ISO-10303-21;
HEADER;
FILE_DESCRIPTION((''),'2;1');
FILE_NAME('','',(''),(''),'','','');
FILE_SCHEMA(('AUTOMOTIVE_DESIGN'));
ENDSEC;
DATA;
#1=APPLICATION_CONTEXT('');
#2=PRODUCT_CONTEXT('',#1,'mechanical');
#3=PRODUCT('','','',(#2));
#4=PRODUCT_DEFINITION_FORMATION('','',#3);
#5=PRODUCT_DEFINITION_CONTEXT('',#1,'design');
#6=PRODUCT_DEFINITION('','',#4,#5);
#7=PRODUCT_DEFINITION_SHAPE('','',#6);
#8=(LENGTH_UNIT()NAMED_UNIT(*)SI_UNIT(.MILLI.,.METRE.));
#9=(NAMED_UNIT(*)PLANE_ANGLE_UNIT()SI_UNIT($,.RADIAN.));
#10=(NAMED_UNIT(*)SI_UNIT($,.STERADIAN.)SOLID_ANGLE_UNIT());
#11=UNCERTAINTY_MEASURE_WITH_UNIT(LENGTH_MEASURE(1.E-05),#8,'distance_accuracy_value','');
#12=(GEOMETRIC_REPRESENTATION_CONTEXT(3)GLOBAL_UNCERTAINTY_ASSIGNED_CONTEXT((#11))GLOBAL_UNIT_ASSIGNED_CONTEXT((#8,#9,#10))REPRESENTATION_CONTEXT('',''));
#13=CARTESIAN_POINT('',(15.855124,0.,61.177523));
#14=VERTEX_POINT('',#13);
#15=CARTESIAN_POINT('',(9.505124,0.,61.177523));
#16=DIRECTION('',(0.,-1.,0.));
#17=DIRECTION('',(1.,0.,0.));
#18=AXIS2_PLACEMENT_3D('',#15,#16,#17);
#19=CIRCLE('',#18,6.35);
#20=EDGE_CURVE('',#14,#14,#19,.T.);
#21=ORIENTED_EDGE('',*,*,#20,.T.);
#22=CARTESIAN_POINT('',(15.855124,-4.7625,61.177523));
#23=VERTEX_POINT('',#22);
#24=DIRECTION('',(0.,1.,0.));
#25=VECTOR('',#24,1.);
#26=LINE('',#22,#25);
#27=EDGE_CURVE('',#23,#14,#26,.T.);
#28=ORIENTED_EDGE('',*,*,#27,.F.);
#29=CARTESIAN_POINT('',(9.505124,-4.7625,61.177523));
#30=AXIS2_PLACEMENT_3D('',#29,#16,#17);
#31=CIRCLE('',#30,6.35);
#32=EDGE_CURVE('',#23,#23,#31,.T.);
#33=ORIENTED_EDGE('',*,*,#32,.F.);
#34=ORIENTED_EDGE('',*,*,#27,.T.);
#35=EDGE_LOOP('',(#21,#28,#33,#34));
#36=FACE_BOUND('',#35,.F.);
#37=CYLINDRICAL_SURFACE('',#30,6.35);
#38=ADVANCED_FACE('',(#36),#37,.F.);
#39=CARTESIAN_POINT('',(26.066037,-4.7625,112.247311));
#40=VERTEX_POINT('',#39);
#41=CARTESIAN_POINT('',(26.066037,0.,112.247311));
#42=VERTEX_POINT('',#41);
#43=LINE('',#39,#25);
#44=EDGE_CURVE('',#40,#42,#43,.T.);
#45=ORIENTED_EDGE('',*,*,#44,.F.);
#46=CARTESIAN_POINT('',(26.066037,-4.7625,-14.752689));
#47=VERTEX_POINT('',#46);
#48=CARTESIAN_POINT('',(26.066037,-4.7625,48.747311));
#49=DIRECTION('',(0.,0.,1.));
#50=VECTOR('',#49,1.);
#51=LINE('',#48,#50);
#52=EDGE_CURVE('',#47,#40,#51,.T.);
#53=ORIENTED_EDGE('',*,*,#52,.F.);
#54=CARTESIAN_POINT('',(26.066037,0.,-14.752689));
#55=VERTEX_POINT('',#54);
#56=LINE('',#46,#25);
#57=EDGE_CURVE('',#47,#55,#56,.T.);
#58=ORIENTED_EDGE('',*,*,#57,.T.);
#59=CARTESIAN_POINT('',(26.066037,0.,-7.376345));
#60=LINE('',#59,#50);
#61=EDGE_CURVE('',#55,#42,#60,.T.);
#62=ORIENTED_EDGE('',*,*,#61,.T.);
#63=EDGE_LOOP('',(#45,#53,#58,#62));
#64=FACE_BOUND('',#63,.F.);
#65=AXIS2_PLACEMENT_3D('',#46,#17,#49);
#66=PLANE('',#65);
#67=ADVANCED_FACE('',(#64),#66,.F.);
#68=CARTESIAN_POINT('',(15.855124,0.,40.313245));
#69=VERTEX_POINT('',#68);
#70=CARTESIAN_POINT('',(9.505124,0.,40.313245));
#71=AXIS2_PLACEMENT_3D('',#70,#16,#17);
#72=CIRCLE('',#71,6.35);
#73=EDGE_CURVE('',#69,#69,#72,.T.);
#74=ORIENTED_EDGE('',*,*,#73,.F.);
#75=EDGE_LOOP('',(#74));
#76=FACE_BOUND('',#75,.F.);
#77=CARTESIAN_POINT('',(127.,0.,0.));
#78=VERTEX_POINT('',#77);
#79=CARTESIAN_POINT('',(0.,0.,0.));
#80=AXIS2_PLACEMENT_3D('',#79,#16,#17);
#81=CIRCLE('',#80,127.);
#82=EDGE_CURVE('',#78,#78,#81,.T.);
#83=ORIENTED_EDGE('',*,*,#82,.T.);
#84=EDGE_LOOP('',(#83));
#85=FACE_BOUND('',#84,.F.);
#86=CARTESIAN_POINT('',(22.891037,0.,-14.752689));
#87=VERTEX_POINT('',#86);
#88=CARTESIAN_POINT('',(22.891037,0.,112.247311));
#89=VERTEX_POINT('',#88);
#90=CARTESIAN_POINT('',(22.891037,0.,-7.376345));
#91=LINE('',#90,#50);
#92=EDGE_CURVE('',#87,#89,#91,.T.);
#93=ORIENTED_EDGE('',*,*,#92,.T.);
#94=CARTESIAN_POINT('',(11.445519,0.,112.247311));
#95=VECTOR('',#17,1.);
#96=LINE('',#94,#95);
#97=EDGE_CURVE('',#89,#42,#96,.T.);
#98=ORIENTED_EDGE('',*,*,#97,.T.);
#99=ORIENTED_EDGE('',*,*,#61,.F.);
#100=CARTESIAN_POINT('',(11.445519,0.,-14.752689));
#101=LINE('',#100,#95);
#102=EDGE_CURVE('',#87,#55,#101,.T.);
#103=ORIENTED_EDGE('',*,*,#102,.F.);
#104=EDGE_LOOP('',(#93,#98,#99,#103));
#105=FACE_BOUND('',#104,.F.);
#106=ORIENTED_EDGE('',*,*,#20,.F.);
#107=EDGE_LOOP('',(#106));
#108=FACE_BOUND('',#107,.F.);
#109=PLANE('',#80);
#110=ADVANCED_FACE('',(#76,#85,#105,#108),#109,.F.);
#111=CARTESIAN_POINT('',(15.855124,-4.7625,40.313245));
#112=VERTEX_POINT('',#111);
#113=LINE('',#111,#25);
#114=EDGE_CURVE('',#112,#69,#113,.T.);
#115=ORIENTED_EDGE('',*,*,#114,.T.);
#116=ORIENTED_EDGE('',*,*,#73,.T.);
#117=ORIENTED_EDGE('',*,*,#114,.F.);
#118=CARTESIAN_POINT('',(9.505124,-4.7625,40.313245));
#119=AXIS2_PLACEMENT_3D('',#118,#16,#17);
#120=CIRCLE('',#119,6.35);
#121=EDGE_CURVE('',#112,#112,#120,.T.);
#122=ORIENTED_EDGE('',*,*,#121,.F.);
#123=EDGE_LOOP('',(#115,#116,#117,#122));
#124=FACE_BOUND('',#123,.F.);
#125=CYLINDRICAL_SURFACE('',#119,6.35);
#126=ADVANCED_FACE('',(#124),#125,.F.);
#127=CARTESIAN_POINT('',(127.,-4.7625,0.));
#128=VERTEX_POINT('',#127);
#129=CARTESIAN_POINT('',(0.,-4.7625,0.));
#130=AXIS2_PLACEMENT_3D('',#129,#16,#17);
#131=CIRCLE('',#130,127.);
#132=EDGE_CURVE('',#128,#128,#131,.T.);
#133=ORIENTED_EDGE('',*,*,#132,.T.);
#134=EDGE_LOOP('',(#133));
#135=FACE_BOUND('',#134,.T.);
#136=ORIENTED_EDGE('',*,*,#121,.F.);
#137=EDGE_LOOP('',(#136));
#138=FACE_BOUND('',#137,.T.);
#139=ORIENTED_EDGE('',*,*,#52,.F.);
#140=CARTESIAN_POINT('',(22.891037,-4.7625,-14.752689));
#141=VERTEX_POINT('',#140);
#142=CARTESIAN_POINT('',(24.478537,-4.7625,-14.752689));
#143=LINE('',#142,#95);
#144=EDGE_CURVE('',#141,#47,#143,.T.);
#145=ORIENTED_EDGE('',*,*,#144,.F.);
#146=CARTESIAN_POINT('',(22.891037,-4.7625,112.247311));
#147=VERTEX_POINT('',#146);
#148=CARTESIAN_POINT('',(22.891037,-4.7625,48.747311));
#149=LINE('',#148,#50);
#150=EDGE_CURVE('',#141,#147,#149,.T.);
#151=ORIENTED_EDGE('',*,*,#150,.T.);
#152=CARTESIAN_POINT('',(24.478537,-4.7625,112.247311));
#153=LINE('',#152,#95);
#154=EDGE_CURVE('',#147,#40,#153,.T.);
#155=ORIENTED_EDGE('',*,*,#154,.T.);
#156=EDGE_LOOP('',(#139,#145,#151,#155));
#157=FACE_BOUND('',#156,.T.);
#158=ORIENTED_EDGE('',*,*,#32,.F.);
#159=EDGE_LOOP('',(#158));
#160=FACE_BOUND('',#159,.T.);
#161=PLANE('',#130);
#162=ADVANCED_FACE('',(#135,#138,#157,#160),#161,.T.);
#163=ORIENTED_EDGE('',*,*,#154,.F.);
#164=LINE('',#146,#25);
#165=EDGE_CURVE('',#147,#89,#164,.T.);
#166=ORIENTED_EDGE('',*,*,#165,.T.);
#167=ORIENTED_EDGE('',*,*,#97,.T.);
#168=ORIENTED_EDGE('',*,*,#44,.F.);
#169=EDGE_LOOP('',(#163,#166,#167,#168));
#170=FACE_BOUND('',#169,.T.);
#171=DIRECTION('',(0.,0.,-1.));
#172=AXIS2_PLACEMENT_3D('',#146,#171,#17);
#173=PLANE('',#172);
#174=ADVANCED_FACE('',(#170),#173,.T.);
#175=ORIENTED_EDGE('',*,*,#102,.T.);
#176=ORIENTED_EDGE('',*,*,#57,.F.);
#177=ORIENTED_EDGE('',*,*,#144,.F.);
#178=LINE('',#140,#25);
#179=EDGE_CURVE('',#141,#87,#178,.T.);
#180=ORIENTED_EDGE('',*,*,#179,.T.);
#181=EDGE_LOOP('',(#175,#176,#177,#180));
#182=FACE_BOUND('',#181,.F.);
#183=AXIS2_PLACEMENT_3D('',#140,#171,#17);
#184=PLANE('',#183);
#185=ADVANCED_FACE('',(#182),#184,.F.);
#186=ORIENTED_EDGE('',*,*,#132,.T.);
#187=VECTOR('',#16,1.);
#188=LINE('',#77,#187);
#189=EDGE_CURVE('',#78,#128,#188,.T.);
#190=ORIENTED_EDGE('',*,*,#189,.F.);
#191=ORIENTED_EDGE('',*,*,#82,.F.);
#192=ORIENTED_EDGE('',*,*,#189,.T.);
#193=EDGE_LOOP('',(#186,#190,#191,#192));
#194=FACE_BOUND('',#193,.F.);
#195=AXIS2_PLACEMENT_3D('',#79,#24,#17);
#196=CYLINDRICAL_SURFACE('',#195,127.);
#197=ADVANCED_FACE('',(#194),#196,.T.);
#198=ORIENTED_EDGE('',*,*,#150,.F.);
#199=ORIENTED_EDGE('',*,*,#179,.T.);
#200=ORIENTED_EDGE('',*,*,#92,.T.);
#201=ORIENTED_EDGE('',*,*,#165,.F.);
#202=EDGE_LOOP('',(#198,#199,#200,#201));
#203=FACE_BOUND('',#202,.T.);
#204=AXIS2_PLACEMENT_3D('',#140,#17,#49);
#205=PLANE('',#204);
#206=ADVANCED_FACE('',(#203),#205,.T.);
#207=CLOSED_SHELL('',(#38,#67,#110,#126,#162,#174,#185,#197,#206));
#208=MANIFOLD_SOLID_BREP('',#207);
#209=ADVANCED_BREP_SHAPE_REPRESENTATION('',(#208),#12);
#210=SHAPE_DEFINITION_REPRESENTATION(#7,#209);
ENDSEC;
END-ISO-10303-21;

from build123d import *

# Parameters (mm, degrees)
F0_R     = 127
F1_DEPTH = 4.7625
F2_W     = 12.7
F2_H     = 76.2
F3_DEPTH = 25.4
F4_SIZE  = 5.08
F5_R     = 6.35
F6_DEPTH = 4.7635
F7_W     = 3.175
F7_H     = 127
F8_DEPTH = 4.7635


with BuildPart() as f1:
    # F0 (on Front) → F1 (new body)
    with BuildSketch(Plane.XZ):
        Circle(F0_R)
    extrude(amount=F1_DEPTH)

    # F5 (on face) → F6 (cut, through all)
    with BuildSketch(Plane.XZ.offset(4.7625)):
        with Locations((9.505124, 61.177523)):
            Circle(F5_R)
        with Locations((9.505124, 40.313245)):
            Circle(F5_R)
    extrude(amount=-F6_DEPTH, mode=Mode.SUBTRACT)

    # F7 (on face) → F8 (cut, through all)
    with BuildSketch(Plane.XZ.offset(4.7625)):
        with Locations((24.478537, 48.747311)):
            Rectangle(F7_W, F7_H)
    extrude(amount=-F8_DEPTH, mode=Mode.SUBTRACT)


with BuildPart() as f3:
    # F2 (on face) → F3 (new body)
    with BuildSketch(Plane.XZ.offset(4.7625)):
        with Locations((-221.724585, -33.983209)):
            Rectangle(F2_W, F2_H)
    extrude(amount=F3_DEPTH)

    # F4
    f4_edges = [f3.edges().sort_by_distance(p)[0] for p in [
        (-228.074585, -30.1625, -33.983209),
        (-215.374585, -30.1625, -33.983209),
        (-221.724585, -30.1625, 4.116791),
        (-221.724585, -30.1625, -72.083209),
    ]]
    chamfer(f4_edges, length=F4_SIZE)


solid = f1.part
